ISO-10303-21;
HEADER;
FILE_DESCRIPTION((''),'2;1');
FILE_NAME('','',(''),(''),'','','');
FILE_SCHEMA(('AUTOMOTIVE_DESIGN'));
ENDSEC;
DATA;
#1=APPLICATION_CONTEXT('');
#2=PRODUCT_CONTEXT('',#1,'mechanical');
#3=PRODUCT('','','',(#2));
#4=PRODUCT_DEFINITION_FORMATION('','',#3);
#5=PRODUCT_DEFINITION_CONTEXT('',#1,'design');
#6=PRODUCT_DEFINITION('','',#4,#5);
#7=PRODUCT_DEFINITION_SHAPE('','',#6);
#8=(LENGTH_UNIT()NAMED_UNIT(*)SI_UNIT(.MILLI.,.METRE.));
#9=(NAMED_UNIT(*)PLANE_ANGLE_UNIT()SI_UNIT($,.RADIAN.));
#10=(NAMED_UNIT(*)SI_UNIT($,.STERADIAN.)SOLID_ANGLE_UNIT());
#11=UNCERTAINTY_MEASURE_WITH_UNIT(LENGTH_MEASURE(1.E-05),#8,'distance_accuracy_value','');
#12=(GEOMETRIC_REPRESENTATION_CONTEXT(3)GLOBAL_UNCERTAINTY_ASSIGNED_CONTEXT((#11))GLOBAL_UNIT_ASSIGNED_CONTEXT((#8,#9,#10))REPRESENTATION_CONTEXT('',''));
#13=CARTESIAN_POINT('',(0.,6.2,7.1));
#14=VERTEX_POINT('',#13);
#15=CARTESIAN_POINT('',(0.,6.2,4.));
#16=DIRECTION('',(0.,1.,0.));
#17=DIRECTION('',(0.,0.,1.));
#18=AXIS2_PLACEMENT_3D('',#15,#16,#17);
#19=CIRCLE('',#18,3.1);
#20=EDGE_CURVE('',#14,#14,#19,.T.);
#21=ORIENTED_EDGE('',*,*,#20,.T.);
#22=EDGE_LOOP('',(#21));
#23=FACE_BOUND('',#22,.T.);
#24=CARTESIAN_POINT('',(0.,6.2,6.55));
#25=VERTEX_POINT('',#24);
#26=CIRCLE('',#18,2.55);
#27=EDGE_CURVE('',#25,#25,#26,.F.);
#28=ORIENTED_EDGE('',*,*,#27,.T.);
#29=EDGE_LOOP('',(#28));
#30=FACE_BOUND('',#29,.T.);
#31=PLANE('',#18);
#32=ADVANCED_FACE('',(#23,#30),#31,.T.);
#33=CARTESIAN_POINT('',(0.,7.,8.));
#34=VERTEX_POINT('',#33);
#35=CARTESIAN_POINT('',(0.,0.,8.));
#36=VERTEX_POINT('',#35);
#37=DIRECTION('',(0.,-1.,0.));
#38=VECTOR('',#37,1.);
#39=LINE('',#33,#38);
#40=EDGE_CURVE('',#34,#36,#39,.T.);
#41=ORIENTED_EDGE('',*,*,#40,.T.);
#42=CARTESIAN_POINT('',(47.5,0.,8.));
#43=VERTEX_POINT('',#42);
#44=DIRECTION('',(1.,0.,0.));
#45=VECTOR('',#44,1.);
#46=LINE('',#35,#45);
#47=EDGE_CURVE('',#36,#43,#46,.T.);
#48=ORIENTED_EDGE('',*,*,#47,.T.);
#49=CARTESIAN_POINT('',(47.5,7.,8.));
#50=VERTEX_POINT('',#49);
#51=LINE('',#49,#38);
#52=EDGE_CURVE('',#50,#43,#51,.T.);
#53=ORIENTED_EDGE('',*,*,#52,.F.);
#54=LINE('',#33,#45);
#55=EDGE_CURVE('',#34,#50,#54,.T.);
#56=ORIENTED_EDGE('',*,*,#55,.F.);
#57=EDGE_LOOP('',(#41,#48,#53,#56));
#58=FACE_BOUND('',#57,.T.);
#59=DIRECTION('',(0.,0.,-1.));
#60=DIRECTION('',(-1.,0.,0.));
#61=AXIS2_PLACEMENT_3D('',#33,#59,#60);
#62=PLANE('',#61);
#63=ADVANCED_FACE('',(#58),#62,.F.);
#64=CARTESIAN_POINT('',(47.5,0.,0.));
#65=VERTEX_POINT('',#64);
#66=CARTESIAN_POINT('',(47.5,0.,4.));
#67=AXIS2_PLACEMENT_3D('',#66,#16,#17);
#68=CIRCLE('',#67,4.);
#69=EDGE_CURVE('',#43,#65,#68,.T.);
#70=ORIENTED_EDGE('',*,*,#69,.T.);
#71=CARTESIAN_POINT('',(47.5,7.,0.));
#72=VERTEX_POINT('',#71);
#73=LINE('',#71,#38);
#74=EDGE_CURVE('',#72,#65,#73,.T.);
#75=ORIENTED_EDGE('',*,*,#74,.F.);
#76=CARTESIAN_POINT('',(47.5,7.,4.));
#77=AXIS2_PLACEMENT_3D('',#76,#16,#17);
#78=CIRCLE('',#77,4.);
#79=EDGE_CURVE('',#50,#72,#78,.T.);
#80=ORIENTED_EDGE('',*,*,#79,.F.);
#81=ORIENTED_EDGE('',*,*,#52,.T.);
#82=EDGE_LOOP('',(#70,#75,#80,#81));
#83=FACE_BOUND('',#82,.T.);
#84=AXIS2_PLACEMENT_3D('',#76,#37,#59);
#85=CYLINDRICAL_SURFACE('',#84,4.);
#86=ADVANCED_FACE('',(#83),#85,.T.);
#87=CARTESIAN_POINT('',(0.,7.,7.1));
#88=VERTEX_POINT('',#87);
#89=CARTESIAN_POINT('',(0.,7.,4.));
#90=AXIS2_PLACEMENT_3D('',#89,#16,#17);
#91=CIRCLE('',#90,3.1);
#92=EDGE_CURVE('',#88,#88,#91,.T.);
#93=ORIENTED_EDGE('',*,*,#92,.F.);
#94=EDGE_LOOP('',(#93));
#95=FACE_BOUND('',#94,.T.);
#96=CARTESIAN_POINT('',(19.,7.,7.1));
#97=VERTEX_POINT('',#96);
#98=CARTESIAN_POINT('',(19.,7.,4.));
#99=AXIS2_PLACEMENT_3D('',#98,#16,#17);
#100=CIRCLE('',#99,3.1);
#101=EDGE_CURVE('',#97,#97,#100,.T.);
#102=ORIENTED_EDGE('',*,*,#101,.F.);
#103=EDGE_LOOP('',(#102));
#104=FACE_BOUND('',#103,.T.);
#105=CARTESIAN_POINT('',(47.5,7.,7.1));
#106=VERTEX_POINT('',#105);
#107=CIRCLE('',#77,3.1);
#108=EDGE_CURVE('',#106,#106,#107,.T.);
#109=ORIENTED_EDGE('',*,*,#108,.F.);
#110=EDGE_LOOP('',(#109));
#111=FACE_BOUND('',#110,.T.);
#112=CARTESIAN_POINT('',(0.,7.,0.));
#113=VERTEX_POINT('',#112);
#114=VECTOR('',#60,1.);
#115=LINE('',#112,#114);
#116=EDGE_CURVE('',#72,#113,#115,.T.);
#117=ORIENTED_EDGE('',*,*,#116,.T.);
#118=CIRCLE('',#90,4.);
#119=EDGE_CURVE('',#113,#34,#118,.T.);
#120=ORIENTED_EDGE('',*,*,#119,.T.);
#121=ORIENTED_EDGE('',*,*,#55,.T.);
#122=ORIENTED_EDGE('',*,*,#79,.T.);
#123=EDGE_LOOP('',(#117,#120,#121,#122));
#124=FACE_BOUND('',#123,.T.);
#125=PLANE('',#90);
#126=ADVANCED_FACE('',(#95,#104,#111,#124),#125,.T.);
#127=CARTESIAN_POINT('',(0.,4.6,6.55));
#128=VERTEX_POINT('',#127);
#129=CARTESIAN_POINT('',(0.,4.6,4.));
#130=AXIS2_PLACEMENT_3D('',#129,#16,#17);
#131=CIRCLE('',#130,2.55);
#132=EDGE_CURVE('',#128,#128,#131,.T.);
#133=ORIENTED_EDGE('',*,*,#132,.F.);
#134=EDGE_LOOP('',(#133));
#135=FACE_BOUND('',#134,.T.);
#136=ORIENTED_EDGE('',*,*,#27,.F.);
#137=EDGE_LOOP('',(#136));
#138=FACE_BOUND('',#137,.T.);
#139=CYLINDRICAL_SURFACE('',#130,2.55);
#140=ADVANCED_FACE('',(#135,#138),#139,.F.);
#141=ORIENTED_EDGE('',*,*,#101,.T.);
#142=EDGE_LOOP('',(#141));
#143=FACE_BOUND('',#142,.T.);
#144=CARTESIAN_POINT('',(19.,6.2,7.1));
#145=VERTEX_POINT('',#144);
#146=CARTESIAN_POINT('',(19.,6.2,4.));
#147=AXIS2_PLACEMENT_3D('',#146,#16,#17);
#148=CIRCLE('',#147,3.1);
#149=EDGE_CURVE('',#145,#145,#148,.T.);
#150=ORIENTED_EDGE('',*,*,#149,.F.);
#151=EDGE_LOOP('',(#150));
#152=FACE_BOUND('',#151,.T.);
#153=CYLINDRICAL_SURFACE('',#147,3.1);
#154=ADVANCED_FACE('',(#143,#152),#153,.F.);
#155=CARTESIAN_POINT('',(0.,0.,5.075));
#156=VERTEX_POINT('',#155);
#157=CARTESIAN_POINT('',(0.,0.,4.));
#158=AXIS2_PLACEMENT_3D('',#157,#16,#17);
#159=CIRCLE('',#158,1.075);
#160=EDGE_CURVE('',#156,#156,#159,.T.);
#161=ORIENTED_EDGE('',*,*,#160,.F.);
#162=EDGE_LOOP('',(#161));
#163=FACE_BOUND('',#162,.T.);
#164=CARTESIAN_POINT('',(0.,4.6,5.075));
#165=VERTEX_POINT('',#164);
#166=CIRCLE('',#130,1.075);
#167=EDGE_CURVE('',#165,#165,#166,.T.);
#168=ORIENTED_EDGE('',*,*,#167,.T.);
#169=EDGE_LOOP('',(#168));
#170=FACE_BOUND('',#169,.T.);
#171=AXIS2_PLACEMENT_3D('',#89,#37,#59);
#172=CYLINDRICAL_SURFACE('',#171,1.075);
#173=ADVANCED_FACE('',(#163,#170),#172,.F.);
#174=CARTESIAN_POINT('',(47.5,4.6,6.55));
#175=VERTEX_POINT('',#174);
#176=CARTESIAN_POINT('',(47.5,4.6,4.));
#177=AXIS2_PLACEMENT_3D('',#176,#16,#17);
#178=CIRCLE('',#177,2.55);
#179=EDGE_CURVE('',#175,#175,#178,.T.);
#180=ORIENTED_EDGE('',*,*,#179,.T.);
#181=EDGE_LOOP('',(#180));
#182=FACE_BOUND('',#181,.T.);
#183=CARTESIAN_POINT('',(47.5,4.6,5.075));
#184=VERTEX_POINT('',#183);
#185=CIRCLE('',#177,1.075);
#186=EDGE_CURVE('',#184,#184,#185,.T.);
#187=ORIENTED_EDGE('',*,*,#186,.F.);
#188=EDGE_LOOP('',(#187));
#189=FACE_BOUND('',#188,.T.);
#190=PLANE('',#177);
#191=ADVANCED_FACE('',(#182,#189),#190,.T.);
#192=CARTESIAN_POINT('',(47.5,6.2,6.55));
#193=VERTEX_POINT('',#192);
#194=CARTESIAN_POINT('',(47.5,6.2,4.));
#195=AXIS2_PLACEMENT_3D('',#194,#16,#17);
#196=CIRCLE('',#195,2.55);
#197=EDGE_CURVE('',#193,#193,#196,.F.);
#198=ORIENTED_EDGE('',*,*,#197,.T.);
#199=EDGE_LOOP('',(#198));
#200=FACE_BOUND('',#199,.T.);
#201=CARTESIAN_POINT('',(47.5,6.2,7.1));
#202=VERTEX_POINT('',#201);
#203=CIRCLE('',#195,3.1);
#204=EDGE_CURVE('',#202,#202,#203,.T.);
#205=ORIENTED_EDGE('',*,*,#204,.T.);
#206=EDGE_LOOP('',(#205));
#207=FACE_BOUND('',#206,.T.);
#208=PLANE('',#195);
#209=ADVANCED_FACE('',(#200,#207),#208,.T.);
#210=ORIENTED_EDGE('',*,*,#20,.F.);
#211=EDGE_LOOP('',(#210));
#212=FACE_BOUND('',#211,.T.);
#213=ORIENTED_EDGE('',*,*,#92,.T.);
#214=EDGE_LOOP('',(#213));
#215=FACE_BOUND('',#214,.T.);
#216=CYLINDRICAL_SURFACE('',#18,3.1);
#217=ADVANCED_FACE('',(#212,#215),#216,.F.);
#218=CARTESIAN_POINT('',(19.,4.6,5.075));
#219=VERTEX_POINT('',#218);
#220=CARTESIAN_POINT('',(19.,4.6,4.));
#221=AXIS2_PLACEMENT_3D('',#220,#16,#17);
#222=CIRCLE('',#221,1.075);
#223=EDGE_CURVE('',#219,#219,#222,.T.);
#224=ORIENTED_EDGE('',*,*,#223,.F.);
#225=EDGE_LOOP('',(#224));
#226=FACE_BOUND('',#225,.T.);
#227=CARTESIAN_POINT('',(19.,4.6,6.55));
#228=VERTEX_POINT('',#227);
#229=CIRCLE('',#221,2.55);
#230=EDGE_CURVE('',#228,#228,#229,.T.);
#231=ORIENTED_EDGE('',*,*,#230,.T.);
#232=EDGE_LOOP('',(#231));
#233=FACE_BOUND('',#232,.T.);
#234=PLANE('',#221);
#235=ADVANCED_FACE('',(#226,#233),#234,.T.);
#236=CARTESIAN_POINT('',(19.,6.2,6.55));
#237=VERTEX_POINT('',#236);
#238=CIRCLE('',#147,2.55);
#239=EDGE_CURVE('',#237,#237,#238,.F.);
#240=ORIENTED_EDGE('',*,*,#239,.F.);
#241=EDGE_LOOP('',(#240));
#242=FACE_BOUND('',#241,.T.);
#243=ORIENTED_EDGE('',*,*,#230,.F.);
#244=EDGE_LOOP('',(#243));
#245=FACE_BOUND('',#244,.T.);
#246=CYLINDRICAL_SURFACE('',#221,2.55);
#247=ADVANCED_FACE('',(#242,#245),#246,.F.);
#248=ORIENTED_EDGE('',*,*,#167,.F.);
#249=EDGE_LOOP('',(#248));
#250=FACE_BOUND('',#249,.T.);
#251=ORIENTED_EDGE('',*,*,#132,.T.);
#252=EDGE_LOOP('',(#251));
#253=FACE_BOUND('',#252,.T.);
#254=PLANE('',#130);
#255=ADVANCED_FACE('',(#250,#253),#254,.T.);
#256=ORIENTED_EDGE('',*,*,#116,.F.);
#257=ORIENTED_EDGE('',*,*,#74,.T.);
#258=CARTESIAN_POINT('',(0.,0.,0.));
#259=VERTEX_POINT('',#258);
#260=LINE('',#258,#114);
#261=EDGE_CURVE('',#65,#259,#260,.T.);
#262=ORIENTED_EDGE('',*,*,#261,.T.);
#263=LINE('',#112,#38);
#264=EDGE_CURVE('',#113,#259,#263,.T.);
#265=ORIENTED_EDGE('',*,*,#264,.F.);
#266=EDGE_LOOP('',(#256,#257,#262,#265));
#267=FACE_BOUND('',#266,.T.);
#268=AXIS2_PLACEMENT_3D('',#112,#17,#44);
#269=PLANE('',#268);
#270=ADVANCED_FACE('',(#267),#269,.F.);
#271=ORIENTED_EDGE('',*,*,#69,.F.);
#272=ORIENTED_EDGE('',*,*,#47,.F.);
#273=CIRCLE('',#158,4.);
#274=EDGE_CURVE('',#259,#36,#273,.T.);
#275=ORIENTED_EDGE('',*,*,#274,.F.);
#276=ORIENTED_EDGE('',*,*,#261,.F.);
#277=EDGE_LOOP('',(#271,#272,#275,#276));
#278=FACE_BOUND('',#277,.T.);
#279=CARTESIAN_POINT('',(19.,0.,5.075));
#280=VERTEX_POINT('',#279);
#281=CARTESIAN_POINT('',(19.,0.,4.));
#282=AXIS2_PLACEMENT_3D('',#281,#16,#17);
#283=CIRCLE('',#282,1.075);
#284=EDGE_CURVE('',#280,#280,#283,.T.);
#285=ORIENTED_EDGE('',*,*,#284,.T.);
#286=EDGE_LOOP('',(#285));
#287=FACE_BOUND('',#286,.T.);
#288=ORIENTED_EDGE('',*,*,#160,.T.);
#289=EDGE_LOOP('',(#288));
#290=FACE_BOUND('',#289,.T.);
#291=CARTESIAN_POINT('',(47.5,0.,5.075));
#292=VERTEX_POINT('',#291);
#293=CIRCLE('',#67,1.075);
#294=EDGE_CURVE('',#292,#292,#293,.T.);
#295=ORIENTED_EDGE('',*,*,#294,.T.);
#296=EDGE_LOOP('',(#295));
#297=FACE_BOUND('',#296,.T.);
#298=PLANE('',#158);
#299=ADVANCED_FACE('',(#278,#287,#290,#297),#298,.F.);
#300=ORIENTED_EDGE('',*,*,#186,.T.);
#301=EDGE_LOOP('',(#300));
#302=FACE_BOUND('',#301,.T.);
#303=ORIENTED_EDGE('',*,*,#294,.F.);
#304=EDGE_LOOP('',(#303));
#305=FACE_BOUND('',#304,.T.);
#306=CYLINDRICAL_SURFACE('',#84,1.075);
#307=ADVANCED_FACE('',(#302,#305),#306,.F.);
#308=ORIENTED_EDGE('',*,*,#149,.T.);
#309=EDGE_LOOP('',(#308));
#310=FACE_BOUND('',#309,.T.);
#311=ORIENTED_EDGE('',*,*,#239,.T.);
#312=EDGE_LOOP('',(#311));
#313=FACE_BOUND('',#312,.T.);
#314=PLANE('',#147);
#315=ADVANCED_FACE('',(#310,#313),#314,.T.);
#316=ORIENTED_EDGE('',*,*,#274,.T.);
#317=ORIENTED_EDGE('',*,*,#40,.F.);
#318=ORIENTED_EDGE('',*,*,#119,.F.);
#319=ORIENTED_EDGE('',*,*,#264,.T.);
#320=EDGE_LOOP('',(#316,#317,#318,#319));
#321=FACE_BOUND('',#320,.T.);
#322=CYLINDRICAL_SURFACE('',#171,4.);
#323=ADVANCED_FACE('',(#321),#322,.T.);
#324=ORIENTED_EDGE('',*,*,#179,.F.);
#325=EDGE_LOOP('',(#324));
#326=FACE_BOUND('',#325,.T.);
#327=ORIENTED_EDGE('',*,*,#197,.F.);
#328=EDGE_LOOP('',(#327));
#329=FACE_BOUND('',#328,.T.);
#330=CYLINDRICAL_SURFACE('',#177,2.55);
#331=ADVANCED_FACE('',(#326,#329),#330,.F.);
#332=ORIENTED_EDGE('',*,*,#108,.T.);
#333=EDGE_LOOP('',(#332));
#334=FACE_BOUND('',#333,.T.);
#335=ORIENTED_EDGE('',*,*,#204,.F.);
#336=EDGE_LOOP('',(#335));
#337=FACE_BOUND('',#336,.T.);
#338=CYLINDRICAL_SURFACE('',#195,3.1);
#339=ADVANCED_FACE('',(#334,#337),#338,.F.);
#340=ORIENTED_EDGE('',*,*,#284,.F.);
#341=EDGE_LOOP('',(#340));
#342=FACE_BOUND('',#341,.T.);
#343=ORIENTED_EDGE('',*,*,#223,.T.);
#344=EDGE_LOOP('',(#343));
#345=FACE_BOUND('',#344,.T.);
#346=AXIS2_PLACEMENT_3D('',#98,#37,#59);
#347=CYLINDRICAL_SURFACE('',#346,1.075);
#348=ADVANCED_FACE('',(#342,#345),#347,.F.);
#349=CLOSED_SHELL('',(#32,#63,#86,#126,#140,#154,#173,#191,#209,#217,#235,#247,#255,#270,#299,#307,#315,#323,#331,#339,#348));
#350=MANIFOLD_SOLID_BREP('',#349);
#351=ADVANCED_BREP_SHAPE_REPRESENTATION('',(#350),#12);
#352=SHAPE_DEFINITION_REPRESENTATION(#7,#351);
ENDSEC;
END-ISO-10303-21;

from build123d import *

# Parameters (mm, degrees)
SKETCH_1_R          = 1.075
EXTRUDE_1_DEPTH     = 7
SKETCH_3_R          = 2.55
CUT_EXTRUDE_1_DEPTH = 2.4
SKETCH_4_R          = 3.1
CUT_EXTRUDE_3_DEPTH = 0.8


with BuildPart() as part:
    # 草图1 → 凸台-拉伸1 (new body)
    with BuildSketch(Plane(origin=(0, 0, 0), x_dir=(1, 0, 0), z_dir=(0, 1, 0))):
        with BuildLine():
            Line((0, 0), (47.5, 0))
            ThreePointArc((47.5, 0), (51.5, -4), (47.5, -8))
            Line((47.5, -8), (0, -8))
            ThreePointArc((0, -8), (-4, -4), (0, 0))
        make_face()
        with Locations((0, -4)):
            Circle(SKETCH_1_R, mode=Mode.SUBTRACT)
        with Locations((19, -4)):
            Circle(SKETCH_1_R, mode=Mode.SUBTRACT)
        with Locations((47.5, -4)):
            Circle(SKETCH_1_R, mode=Mode.SUBTRACT)
    extrude(amount=EXTRUDE_1_DEPTH)

    # 草图3 → 切除-拉伸1 (cut)
    with BuildSketch(Plane(origin=(0, 7, 0), x_dir=(1, 0, 0), z_dir=(0, 1, 0))):
        with Locations((0, -4)):
            Circle(SKETCH_3_R)
        with Locations((19, -4)):
            Circle(SKETCH_3_R)
        with Locations((47.5, -4)):
            Circle(SKETCH_3_R)
    extrude(amount=-CUT_EXTRUDE_1_DEPTH, mode=Mode.SUBTRACT)

    # 草图4 → 切除-拉伸3 (cut)
    with BuildSketch(Plane(origin=(0, 7, 0), x_dir=(1, 0, 0), z_dir=(0, 1, 0))):
        with Locations((0, -4)):
            Circle(SKETCH_4_R)
        with Locations((19, -4)):
            Circle(SKETCH_4_R)
        with Locations((47.5, -4)):
            Circle(SKETCH_4_R)
    extrude(amount=-CUT_EXTRUDE_3_DEPTH, mode=Mode.SUBTRACT)


solid = part.part
